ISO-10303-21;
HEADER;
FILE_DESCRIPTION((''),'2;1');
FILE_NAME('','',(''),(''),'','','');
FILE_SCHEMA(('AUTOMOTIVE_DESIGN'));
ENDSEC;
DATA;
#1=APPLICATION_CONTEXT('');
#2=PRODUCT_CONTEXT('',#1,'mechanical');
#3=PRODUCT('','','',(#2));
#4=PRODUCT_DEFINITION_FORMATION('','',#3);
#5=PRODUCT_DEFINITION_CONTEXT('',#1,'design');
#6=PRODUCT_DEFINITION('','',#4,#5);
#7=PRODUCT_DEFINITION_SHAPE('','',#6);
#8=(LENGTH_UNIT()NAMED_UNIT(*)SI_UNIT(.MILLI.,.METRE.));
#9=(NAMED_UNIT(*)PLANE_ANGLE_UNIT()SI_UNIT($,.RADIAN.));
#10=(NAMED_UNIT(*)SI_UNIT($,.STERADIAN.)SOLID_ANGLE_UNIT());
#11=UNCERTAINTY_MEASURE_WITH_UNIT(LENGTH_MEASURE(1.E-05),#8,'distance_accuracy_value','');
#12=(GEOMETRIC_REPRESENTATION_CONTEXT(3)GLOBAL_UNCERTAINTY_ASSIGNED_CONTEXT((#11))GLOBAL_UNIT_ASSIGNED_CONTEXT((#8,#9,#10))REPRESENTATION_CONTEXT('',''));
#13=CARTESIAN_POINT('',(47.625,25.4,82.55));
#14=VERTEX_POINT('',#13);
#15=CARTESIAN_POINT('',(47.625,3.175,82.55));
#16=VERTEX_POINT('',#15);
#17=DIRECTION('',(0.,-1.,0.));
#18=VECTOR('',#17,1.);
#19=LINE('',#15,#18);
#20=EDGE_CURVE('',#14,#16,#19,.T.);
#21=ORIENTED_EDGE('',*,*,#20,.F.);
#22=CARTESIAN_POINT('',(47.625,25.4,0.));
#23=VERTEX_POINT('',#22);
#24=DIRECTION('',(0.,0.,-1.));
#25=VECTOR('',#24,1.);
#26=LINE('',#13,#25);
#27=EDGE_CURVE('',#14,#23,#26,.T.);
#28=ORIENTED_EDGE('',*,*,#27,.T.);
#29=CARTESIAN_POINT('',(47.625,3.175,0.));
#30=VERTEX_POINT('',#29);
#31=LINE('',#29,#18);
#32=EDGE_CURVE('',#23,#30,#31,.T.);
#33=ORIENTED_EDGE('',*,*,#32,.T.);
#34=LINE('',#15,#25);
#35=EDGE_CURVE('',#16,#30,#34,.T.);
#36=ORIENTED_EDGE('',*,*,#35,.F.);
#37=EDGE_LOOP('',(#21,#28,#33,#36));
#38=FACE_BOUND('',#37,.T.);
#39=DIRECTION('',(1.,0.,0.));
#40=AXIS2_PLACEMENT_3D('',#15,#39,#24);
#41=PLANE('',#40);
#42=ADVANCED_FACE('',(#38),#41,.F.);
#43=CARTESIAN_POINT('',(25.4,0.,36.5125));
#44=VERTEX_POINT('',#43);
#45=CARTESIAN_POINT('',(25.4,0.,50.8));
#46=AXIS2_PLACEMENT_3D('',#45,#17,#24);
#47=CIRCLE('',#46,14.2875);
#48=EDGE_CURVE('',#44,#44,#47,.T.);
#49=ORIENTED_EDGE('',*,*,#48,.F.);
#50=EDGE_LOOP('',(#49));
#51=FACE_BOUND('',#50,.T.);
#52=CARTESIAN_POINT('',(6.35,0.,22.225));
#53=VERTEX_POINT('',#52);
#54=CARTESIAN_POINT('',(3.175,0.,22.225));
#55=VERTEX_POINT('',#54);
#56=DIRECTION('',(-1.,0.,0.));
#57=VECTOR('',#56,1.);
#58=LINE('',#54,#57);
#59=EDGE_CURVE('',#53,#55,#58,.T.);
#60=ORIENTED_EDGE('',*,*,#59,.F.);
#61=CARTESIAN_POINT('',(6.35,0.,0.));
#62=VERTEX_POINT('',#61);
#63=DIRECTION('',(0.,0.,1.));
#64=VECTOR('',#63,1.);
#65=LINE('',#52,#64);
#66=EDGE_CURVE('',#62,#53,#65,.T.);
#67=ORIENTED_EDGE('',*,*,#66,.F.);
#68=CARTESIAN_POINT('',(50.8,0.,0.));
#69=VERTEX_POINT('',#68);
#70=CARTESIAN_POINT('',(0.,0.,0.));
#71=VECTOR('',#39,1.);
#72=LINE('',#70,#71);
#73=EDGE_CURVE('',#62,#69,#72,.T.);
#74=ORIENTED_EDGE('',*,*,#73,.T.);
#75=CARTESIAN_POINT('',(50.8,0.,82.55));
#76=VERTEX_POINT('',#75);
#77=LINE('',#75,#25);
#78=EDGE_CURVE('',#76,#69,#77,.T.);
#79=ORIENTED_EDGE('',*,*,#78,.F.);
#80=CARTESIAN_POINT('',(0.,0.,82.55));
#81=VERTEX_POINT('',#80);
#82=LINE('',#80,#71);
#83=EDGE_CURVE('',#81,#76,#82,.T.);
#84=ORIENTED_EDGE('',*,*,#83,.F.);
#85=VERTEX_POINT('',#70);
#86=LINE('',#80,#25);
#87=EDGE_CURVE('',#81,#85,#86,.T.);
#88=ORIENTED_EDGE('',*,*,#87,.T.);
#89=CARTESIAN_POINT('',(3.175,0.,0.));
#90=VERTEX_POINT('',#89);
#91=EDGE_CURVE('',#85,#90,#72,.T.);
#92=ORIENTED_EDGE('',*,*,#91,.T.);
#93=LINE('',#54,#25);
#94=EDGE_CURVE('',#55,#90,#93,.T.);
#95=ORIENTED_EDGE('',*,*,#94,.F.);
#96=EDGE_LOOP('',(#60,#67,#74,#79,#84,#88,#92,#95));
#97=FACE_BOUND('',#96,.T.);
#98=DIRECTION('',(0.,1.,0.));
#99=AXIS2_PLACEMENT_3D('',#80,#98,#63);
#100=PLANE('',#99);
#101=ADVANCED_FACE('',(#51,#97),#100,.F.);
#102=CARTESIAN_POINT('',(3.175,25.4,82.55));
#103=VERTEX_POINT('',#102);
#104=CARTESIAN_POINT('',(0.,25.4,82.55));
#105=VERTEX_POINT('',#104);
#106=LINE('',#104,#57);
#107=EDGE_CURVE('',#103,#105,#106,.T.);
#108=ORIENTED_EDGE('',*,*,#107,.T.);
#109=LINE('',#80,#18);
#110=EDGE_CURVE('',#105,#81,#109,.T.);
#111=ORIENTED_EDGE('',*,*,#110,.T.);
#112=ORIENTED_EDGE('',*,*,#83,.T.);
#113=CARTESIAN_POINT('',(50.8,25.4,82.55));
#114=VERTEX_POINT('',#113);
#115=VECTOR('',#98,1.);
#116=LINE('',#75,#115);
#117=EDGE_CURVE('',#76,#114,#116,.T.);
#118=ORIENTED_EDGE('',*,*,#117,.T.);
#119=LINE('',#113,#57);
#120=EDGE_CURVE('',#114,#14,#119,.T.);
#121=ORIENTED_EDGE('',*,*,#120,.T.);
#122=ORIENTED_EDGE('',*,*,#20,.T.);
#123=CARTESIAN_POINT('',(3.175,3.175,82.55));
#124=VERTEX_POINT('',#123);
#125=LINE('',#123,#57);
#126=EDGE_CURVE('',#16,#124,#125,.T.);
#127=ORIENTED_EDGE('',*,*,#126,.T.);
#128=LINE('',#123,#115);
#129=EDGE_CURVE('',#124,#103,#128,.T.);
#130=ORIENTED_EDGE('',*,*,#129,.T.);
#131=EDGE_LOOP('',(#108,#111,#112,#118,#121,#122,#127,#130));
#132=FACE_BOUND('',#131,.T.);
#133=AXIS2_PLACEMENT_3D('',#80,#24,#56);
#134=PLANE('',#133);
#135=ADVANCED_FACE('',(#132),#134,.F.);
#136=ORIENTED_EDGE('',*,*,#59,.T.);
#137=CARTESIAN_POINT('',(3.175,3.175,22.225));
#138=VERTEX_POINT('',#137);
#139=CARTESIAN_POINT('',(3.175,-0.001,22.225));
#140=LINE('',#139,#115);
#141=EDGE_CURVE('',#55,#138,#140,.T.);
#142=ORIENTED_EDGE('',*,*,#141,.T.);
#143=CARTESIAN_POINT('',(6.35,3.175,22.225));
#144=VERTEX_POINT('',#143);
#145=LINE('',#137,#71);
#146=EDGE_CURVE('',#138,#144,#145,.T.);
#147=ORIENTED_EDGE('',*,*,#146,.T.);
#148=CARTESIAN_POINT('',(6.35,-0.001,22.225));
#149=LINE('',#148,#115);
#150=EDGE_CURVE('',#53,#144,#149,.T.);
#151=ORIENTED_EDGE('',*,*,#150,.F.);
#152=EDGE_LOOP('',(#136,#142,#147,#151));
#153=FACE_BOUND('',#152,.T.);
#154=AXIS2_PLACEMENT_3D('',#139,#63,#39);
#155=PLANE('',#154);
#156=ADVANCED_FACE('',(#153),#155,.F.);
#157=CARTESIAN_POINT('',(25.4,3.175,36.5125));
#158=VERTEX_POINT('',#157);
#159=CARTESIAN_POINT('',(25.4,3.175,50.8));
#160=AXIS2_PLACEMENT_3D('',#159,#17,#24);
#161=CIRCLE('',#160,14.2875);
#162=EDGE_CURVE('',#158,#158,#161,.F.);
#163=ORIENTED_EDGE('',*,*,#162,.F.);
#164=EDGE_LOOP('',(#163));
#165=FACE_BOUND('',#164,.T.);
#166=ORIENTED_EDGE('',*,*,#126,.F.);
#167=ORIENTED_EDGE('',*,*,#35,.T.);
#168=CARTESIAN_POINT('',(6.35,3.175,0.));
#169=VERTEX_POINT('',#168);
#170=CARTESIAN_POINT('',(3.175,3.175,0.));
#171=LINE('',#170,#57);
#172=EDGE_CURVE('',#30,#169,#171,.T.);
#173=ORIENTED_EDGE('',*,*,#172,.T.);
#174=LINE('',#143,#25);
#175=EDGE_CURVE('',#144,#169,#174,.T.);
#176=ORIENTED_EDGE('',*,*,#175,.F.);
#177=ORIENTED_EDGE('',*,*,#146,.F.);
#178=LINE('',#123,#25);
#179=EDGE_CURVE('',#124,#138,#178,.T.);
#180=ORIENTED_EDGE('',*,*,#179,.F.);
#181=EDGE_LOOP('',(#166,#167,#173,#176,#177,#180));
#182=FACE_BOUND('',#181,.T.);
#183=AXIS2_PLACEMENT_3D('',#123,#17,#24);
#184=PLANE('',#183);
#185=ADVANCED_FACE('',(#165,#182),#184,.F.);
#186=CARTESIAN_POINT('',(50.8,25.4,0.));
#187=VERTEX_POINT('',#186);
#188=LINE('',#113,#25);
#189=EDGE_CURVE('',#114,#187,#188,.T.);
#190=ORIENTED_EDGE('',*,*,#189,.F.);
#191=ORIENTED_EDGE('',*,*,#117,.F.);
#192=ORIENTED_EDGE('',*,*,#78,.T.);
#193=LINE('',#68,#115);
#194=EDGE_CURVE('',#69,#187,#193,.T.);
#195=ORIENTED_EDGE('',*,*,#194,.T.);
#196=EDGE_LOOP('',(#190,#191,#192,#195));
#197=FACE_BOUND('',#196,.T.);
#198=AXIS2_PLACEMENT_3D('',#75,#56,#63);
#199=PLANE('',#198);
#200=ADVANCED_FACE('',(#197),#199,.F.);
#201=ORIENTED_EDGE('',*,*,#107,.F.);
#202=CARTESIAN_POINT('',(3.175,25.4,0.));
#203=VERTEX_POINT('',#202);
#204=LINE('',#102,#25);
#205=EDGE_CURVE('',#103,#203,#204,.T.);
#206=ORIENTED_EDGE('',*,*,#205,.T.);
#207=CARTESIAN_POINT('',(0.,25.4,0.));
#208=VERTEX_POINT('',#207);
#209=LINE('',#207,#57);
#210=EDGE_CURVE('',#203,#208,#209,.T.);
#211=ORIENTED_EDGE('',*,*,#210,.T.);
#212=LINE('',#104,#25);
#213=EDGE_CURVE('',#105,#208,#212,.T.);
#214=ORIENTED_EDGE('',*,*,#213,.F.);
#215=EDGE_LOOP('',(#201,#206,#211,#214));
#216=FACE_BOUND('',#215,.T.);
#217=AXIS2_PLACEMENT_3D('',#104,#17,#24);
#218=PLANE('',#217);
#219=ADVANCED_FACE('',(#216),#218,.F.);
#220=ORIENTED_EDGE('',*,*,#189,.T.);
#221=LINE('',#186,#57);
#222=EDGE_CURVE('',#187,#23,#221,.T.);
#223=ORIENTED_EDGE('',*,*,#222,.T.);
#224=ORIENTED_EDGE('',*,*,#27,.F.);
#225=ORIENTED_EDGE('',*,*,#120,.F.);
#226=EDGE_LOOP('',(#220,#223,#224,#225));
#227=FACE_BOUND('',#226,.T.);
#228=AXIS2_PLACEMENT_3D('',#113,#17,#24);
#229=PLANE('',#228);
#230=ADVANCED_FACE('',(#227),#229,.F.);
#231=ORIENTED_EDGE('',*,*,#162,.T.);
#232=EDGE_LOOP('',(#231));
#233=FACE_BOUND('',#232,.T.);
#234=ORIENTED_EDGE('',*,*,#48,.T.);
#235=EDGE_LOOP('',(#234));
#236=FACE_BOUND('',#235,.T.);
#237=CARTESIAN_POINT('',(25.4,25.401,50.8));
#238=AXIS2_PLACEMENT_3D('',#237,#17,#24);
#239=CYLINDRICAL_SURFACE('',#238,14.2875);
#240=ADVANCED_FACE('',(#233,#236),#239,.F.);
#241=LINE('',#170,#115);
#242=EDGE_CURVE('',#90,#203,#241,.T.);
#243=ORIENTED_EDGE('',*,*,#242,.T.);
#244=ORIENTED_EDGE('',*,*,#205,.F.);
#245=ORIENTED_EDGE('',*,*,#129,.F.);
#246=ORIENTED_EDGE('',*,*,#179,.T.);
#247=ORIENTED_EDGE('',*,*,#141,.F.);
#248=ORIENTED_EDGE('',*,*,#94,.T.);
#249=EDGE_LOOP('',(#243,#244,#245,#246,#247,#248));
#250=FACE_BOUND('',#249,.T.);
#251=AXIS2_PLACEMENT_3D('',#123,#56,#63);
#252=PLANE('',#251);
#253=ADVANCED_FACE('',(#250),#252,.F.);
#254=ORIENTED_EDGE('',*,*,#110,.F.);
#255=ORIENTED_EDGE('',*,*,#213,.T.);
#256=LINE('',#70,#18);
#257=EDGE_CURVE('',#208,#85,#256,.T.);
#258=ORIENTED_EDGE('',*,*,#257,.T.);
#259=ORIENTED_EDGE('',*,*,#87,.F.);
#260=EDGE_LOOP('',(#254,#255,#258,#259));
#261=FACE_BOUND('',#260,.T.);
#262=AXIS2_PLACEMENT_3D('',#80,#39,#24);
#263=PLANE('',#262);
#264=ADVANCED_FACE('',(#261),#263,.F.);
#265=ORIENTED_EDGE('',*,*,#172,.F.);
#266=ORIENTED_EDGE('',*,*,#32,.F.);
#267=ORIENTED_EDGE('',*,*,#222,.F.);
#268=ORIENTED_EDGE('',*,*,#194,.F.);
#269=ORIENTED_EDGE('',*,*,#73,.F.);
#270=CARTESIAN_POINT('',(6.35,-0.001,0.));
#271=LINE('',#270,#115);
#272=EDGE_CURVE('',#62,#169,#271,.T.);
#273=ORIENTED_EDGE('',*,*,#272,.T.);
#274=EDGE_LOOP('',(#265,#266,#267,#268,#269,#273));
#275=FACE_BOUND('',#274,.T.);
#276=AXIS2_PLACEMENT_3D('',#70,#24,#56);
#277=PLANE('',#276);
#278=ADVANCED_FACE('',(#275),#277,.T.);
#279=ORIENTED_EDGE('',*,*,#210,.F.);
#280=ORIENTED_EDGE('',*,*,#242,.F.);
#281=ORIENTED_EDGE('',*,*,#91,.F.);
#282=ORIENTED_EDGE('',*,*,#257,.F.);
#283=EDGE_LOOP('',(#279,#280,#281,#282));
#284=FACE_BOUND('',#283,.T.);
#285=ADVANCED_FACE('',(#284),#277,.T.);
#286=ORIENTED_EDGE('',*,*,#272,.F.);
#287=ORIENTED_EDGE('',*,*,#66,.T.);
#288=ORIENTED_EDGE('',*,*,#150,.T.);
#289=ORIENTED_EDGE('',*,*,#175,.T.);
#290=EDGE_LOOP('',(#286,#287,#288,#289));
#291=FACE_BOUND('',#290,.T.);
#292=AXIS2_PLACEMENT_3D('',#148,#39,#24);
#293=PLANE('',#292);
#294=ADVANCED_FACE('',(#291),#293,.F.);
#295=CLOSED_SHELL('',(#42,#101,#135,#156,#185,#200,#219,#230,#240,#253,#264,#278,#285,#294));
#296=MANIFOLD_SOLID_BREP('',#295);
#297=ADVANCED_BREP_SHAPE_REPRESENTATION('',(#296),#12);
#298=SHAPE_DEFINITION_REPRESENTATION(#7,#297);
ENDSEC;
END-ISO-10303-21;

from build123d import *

# Parameters (mm, degrees)
BOSS_EXTRUDE1_DEPTH = 82.55
CUT_EXTRUDE1_REACH  = 27.4
SKETCH2_R           = 14.2875
CUT_EXTRUDE2_REACH  = 5.175
SKETCH3_W           = 3.175
SKETCH3_H           = 22.225


with BuildPart() as part:
    # Sketch1 → Boss-Extrude1 (new body)
    with BuildSketch(Plane.XY):
        Polygon((47.625, 3.175), (47.625, 25.4), (50.8, 25.4), (50.8, 0), (0, 0), (0, 25.4), (3.175, 25.4), (3.175, 3.175), align=None)
    extrude(amount=BOSS_EXTRUDE1_DEPTH)

    # Sketch2 → Cut-Extrude1 (cut, up to next)
    with BuildSketch(Plane.XZ, mode=Mode.PRIVATE) as cut_extrude1_sk1:
        with Locations((25.4, 50.8)):
            Circle(SKETCH2_R)
    cut_extrude1_tool1 = extrude(cut_extrude1_sk1.sketch, amount=-CUT_EXTRUDE1_REACH, mode=Mode.PRIVATE) & part.part
    add(cut_extrude1_tool1.solids().sort_by_distance((25.4, 0, 50.8))[0], mode=Mode.SUBTRACT)

    # Sketch3 → Cut-Extrude2 (cut, up to next)
    with BuildSketch(Plane(origin=(0, 3.175, 0), x_dir=(1, 0, 0), z_dir=(0, 1, 0)), mode=Mode.PRIVATE) as cut_extrude2_sk1:
        with Locations((4.7625, -11.1125)):
            Rectangle(SKETCH3_W, SKETCH3_H)
    cut_extrude2_tool1 = extrude(cut_extrude2_sk1.sketch, amount=-CUT_EXTRUDE2_REACH, mode=Mode.PRIVATE) & part.part
    add(cut_extrude2_tool1.solids().sort_by_distance((4.7625, 3.175, 11.1125))[0], mode=Mode.SUBTRACT)


solid = part.part
